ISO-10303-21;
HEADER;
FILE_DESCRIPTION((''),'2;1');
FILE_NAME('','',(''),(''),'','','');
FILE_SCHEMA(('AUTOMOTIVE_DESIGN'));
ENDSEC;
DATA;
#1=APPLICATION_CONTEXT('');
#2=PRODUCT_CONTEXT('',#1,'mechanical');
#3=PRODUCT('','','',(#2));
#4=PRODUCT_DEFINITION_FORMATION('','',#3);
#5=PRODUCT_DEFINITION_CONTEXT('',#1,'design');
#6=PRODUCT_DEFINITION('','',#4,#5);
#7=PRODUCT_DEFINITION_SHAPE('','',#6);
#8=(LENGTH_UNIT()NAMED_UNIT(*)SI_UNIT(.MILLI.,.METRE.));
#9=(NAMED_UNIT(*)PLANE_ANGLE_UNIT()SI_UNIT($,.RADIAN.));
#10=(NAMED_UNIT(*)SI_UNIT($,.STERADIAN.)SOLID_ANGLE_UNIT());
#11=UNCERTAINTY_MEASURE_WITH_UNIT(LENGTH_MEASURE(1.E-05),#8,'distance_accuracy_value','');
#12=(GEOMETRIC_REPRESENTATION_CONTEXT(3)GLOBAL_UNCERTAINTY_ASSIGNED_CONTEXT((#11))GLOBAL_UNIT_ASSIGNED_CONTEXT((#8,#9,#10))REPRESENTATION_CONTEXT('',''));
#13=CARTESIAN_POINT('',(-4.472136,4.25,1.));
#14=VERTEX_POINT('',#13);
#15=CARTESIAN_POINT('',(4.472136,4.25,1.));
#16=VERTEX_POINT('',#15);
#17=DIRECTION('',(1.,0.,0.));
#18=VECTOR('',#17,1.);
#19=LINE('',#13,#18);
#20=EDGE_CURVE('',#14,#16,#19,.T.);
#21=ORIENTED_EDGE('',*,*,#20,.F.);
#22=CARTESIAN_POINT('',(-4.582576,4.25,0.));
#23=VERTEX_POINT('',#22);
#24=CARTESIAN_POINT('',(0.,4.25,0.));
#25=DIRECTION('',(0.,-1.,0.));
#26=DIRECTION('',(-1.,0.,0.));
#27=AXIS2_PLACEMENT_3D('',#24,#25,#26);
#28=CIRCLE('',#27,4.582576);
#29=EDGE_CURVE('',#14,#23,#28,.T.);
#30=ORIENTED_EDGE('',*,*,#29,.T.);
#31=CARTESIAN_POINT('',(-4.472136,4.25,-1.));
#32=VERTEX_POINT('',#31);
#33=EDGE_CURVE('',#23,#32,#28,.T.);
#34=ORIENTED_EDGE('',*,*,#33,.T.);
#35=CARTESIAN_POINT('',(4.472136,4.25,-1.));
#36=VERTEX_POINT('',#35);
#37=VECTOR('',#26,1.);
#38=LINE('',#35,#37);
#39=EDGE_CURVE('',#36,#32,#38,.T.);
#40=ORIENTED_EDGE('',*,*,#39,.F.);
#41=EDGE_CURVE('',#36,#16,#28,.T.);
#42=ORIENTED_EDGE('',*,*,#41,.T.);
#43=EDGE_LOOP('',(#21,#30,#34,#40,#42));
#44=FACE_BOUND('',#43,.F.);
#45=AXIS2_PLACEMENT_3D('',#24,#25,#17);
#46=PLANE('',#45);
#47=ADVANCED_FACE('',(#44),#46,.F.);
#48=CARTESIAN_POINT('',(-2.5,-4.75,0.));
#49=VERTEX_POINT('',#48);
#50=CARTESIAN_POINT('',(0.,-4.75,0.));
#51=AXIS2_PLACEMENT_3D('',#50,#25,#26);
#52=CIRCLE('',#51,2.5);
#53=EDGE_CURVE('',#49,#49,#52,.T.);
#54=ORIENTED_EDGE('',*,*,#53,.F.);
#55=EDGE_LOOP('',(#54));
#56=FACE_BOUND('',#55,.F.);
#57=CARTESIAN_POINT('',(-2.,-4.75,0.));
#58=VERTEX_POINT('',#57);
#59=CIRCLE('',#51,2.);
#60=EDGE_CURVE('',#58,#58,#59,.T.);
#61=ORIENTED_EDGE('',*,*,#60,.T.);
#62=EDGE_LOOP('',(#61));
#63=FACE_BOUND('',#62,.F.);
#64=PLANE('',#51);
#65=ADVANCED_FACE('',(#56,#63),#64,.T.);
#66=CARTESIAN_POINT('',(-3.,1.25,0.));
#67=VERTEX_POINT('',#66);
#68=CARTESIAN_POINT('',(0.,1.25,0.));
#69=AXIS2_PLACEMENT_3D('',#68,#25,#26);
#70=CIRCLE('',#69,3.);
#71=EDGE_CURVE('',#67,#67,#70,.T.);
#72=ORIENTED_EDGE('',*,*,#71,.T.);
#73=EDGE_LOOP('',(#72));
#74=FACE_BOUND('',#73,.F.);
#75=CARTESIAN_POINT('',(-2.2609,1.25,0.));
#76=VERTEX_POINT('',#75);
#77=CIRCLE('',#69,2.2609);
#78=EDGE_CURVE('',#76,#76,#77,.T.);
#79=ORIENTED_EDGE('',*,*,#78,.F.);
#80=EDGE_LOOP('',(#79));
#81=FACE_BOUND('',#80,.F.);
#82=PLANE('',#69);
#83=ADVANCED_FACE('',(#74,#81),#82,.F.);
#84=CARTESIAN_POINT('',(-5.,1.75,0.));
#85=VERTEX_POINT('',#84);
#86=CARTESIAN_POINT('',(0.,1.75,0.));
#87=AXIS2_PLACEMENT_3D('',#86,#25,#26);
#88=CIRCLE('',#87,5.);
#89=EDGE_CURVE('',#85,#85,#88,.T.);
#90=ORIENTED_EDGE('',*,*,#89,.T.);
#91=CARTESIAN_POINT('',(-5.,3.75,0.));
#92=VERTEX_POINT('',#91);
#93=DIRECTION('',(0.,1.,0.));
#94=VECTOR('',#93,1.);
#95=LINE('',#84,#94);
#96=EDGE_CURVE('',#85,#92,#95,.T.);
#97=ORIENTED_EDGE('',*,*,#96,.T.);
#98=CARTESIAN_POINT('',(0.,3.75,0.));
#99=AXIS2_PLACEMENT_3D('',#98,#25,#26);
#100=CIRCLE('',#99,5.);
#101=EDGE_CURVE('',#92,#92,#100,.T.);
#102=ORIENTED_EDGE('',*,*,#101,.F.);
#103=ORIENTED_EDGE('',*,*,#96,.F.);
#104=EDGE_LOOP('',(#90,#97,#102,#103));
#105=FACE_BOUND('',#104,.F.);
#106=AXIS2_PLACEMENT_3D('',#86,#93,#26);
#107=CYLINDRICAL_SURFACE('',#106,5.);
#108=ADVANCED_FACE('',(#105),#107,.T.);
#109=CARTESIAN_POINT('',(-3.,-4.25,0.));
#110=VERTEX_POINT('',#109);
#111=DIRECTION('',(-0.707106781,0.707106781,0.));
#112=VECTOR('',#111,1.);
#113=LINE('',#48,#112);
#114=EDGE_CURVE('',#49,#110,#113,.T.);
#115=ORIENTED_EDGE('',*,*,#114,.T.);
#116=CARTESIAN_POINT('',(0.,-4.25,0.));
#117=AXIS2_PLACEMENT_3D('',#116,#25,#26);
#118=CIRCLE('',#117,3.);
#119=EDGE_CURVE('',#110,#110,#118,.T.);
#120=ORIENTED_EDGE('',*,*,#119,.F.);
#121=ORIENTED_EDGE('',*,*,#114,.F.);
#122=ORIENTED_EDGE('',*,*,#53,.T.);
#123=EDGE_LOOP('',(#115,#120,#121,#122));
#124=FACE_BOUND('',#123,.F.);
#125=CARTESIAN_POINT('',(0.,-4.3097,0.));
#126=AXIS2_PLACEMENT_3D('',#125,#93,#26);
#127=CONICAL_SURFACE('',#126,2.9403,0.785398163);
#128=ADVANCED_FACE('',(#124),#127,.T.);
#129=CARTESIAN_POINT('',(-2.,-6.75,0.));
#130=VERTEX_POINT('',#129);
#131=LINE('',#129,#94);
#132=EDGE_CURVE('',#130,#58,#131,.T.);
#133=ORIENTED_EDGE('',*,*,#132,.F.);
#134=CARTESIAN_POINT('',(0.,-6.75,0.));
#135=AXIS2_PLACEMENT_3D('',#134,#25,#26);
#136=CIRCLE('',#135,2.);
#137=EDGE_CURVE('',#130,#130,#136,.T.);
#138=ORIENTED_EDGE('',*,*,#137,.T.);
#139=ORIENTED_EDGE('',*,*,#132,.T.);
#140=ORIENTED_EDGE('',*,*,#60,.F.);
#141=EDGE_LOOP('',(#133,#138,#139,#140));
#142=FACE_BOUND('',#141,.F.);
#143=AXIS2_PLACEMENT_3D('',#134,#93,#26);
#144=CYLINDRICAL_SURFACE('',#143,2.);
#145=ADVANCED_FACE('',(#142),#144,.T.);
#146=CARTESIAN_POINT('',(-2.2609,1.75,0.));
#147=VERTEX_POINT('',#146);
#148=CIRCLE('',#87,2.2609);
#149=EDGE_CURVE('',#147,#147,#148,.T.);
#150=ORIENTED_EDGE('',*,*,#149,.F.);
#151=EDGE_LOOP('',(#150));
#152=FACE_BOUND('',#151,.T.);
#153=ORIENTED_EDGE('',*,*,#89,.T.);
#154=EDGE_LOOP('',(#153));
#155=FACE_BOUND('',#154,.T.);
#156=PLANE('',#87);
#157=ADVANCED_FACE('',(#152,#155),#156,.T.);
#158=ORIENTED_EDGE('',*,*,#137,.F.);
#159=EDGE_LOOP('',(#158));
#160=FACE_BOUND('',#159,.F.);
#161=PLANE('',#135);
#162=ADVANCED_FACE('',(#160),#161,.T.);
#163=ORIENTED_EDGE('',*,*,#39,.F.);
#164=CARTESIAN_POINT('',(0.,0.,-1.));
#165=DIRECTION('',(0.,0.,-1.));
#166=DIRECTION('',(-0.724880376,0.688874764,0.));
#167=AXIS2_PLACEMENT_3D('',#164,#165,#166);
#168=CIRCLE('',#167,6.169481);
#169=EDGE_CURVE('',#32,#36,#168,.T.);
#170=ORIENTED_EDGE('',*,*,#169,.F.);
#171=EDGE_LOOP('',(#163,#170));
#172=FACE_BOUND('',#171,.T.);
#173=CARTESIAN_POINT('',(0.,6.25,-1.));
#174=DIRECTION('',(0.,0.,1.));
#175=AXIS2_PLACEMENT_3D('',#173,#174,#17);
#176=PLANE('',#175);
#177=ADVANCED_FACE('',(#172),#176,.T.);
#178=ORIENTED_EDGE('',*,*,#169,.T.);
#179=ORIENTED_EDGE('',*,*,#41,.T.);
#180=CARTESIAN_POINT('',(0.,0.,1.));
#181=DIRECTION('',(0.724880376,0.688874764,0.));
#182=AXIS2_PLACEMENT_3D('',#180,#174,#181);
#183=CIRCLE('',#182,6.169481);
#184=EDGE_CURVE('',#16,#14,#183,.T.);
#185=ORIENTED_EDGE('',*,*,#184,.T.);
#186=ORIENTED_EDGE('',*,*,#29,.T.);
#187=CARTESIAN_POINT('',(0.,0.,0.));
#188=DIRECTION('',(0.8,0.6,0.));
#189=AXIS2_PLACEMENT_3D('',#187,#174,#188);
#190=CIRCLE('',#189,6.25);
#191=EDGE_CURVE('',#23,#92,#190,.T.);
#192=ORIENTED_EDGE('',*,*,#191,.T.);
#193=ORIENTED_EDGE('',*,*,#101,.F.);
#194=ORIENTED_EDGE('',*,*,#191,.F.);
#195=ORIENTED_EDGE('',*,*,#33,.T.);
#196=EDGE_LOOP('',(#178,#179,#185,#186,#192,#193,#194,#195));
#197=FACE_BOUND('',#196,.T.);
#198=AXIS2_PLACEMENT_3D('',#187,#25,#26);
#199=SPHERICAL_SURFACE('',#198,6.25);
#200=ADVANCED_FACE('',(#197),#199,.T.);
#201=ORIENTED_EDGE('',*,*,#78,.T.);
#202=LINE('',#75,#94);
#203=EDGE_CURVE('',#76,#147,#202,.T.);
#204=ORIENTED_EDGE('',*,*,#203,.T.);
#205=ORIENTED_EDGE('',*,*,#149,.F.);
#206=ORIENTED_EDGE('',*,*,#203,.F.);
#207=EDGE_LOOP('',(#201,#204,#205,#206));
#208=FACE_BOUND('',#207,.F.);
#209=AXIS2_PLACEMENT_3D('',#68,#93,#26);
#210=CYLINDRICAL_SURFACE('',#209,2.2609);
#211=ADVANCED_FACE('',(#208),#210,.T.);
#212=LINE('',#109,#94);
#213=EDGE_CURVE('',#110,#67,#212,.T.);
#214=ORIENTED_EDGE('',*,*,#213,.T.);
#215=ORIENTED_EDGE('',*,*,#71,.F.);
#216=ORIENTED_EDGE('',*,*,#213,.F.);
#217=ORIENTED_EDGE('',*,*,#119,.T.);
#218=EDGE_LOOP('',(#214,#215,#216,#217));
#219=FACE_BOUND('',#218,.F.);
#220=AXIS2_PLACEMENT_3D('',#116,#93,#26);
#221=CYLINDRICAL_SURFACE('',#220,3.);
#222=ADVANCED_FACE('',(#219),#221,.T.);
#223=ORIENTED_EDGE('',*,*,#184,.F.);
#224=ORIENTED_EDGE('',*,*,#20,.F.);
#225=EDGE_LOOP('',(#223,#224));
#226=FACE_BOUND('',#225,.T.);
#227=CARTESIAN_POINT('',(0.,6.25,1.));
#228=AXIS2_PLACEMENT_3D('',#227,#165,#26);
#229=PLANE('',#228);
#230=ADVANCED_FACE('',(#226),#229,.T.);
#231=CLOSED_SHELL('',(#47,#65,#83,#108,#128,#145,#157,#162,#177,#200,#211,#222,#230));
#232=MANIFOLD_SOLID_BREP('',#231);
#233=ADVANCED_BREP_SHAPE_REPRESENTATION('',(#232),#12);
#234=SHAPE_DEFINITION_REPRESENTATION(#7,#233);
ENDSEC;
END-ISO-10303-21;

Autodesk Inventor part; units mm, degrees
ref_plane "YZ Plane" through (0, 0, 0) normal (1, 0, 0) x (0, 1, 0)
ref_plane "XZ Plane" through (0, 0, 0) normal (0, 1, 0) x (-1, 0, 0)
sketch "Sketch2" plane through (0, 0, 0) normal (0, 0, 1) x (1, 0, 0)
  arc A0 (5, 3.75) -> (-5, 3.75) centre (0, 0) ccw
  line L0 (0, 3.75) -> (5, 3.75)
  line L1 (0, 3.75) -> (-5, 3.75)
  line L2 (5, 3.75) -> (5, 1.75)
  line L3 (-5, 1.75) -> (-5, 3.75)
  line L4 (-5, 1.75) -> (-2, 1.75)
  line L5 (2.5391, 1.25) -> (2.5391, 1.75)
  line L6 (-2.2609, 1.25) -> (-2.2609, 1.75)
  line L7 (0, -6.75) -> (2, -6.75)
  line L8 (0, -6.75) -> (-2, -6.75)
  line L9 (-2, -6.75) -> (-2, -4.75)
  line L10 (2, -6.75) -> (2, -4.75)
  line L11 (-3, -4.25) -> (-3, 1.25)
  line L12 (-3, 1.25) -> (-2.2609, 1.25)
  line L13 (2.5391, 1.25) -> (3, 1.25)
  line L14 (3, 1.25) -> (3, -4.25)
  line L15 (-2, -4.75) -> (-2.5, -4.75)
  line L16 (-2.5, -4.75) -> (-2.9403, -4.3097)
  line L17 (-2.5, -4.75) -> (-1.8773, -4.75) construction
  line L18 (-2.9403, -4.3097) -> (-3, -4.25)
  line L19 (2, -4.75) -> (2.5, -4.75)
  line L20 (2.5, -4.75) -> (3, -4.25)
  line L21 (5, 1.75) -> (2.5391, 1.75)
  line L22 (-2.2609, 1.75) -> (-5, 1.75)
  line L23 (0, 6.25) -> (0, -6.75)
  dimension "d10" = 0.5
  dimension "d15" = 2
  dimension "d16" = 2
  dimension "d20" = 0.5
  dimension "d23" = 135
  dimension "d24" = 0.5
  dimension "d25" = 135
revolve "Revolution1" add sketch "Sketch2" angle 360 about axis through (0, 6.25, 0) along (0, -1, 0) contours L23 L1 A0 | L23 L8 L9 L15 L16 L18 L11 L12 L6 L4 L3 L1
ref_plane "Work Plane1" through (0, 6.25, 0) normal (0, -1, 0) x (1, 0, 0)
sketch "Sketch3" plane through (0, 6.25, 0) normal (0, -1, 0) x (1, 0, 0)
  circle A0 centre (0, 0) radius 5
  line L0 (0, 1) -> (-4.899, 1)
  circle A1 centre (0, 0) radius 5 projected
  line L1 (-4.899, -1) -> (0, -1)
  line L2 (0, -1) -> (5.6598, -1)
  line L3 (5.6598, -1) -> (5.6598, 1)
  line L4 (5.6598, 1) -> (0, 1)
  line L5 (-4.899, 1) -> (-6.6915, 1)
  line L6 (-6.6915, 1) -> (-6.6915, -1)
  line L7 (-6.6915, -1) -> (-4.899, -1)
  point P0 (4.899, 1)
  point P1 (4.899, -1)
extrude "Extrusion1" cut sketch "Sketch3" along normal blind 2 contours L0 L4 A0 L2 L1
properties part number "parafuso_de_trava" material "Steel"
